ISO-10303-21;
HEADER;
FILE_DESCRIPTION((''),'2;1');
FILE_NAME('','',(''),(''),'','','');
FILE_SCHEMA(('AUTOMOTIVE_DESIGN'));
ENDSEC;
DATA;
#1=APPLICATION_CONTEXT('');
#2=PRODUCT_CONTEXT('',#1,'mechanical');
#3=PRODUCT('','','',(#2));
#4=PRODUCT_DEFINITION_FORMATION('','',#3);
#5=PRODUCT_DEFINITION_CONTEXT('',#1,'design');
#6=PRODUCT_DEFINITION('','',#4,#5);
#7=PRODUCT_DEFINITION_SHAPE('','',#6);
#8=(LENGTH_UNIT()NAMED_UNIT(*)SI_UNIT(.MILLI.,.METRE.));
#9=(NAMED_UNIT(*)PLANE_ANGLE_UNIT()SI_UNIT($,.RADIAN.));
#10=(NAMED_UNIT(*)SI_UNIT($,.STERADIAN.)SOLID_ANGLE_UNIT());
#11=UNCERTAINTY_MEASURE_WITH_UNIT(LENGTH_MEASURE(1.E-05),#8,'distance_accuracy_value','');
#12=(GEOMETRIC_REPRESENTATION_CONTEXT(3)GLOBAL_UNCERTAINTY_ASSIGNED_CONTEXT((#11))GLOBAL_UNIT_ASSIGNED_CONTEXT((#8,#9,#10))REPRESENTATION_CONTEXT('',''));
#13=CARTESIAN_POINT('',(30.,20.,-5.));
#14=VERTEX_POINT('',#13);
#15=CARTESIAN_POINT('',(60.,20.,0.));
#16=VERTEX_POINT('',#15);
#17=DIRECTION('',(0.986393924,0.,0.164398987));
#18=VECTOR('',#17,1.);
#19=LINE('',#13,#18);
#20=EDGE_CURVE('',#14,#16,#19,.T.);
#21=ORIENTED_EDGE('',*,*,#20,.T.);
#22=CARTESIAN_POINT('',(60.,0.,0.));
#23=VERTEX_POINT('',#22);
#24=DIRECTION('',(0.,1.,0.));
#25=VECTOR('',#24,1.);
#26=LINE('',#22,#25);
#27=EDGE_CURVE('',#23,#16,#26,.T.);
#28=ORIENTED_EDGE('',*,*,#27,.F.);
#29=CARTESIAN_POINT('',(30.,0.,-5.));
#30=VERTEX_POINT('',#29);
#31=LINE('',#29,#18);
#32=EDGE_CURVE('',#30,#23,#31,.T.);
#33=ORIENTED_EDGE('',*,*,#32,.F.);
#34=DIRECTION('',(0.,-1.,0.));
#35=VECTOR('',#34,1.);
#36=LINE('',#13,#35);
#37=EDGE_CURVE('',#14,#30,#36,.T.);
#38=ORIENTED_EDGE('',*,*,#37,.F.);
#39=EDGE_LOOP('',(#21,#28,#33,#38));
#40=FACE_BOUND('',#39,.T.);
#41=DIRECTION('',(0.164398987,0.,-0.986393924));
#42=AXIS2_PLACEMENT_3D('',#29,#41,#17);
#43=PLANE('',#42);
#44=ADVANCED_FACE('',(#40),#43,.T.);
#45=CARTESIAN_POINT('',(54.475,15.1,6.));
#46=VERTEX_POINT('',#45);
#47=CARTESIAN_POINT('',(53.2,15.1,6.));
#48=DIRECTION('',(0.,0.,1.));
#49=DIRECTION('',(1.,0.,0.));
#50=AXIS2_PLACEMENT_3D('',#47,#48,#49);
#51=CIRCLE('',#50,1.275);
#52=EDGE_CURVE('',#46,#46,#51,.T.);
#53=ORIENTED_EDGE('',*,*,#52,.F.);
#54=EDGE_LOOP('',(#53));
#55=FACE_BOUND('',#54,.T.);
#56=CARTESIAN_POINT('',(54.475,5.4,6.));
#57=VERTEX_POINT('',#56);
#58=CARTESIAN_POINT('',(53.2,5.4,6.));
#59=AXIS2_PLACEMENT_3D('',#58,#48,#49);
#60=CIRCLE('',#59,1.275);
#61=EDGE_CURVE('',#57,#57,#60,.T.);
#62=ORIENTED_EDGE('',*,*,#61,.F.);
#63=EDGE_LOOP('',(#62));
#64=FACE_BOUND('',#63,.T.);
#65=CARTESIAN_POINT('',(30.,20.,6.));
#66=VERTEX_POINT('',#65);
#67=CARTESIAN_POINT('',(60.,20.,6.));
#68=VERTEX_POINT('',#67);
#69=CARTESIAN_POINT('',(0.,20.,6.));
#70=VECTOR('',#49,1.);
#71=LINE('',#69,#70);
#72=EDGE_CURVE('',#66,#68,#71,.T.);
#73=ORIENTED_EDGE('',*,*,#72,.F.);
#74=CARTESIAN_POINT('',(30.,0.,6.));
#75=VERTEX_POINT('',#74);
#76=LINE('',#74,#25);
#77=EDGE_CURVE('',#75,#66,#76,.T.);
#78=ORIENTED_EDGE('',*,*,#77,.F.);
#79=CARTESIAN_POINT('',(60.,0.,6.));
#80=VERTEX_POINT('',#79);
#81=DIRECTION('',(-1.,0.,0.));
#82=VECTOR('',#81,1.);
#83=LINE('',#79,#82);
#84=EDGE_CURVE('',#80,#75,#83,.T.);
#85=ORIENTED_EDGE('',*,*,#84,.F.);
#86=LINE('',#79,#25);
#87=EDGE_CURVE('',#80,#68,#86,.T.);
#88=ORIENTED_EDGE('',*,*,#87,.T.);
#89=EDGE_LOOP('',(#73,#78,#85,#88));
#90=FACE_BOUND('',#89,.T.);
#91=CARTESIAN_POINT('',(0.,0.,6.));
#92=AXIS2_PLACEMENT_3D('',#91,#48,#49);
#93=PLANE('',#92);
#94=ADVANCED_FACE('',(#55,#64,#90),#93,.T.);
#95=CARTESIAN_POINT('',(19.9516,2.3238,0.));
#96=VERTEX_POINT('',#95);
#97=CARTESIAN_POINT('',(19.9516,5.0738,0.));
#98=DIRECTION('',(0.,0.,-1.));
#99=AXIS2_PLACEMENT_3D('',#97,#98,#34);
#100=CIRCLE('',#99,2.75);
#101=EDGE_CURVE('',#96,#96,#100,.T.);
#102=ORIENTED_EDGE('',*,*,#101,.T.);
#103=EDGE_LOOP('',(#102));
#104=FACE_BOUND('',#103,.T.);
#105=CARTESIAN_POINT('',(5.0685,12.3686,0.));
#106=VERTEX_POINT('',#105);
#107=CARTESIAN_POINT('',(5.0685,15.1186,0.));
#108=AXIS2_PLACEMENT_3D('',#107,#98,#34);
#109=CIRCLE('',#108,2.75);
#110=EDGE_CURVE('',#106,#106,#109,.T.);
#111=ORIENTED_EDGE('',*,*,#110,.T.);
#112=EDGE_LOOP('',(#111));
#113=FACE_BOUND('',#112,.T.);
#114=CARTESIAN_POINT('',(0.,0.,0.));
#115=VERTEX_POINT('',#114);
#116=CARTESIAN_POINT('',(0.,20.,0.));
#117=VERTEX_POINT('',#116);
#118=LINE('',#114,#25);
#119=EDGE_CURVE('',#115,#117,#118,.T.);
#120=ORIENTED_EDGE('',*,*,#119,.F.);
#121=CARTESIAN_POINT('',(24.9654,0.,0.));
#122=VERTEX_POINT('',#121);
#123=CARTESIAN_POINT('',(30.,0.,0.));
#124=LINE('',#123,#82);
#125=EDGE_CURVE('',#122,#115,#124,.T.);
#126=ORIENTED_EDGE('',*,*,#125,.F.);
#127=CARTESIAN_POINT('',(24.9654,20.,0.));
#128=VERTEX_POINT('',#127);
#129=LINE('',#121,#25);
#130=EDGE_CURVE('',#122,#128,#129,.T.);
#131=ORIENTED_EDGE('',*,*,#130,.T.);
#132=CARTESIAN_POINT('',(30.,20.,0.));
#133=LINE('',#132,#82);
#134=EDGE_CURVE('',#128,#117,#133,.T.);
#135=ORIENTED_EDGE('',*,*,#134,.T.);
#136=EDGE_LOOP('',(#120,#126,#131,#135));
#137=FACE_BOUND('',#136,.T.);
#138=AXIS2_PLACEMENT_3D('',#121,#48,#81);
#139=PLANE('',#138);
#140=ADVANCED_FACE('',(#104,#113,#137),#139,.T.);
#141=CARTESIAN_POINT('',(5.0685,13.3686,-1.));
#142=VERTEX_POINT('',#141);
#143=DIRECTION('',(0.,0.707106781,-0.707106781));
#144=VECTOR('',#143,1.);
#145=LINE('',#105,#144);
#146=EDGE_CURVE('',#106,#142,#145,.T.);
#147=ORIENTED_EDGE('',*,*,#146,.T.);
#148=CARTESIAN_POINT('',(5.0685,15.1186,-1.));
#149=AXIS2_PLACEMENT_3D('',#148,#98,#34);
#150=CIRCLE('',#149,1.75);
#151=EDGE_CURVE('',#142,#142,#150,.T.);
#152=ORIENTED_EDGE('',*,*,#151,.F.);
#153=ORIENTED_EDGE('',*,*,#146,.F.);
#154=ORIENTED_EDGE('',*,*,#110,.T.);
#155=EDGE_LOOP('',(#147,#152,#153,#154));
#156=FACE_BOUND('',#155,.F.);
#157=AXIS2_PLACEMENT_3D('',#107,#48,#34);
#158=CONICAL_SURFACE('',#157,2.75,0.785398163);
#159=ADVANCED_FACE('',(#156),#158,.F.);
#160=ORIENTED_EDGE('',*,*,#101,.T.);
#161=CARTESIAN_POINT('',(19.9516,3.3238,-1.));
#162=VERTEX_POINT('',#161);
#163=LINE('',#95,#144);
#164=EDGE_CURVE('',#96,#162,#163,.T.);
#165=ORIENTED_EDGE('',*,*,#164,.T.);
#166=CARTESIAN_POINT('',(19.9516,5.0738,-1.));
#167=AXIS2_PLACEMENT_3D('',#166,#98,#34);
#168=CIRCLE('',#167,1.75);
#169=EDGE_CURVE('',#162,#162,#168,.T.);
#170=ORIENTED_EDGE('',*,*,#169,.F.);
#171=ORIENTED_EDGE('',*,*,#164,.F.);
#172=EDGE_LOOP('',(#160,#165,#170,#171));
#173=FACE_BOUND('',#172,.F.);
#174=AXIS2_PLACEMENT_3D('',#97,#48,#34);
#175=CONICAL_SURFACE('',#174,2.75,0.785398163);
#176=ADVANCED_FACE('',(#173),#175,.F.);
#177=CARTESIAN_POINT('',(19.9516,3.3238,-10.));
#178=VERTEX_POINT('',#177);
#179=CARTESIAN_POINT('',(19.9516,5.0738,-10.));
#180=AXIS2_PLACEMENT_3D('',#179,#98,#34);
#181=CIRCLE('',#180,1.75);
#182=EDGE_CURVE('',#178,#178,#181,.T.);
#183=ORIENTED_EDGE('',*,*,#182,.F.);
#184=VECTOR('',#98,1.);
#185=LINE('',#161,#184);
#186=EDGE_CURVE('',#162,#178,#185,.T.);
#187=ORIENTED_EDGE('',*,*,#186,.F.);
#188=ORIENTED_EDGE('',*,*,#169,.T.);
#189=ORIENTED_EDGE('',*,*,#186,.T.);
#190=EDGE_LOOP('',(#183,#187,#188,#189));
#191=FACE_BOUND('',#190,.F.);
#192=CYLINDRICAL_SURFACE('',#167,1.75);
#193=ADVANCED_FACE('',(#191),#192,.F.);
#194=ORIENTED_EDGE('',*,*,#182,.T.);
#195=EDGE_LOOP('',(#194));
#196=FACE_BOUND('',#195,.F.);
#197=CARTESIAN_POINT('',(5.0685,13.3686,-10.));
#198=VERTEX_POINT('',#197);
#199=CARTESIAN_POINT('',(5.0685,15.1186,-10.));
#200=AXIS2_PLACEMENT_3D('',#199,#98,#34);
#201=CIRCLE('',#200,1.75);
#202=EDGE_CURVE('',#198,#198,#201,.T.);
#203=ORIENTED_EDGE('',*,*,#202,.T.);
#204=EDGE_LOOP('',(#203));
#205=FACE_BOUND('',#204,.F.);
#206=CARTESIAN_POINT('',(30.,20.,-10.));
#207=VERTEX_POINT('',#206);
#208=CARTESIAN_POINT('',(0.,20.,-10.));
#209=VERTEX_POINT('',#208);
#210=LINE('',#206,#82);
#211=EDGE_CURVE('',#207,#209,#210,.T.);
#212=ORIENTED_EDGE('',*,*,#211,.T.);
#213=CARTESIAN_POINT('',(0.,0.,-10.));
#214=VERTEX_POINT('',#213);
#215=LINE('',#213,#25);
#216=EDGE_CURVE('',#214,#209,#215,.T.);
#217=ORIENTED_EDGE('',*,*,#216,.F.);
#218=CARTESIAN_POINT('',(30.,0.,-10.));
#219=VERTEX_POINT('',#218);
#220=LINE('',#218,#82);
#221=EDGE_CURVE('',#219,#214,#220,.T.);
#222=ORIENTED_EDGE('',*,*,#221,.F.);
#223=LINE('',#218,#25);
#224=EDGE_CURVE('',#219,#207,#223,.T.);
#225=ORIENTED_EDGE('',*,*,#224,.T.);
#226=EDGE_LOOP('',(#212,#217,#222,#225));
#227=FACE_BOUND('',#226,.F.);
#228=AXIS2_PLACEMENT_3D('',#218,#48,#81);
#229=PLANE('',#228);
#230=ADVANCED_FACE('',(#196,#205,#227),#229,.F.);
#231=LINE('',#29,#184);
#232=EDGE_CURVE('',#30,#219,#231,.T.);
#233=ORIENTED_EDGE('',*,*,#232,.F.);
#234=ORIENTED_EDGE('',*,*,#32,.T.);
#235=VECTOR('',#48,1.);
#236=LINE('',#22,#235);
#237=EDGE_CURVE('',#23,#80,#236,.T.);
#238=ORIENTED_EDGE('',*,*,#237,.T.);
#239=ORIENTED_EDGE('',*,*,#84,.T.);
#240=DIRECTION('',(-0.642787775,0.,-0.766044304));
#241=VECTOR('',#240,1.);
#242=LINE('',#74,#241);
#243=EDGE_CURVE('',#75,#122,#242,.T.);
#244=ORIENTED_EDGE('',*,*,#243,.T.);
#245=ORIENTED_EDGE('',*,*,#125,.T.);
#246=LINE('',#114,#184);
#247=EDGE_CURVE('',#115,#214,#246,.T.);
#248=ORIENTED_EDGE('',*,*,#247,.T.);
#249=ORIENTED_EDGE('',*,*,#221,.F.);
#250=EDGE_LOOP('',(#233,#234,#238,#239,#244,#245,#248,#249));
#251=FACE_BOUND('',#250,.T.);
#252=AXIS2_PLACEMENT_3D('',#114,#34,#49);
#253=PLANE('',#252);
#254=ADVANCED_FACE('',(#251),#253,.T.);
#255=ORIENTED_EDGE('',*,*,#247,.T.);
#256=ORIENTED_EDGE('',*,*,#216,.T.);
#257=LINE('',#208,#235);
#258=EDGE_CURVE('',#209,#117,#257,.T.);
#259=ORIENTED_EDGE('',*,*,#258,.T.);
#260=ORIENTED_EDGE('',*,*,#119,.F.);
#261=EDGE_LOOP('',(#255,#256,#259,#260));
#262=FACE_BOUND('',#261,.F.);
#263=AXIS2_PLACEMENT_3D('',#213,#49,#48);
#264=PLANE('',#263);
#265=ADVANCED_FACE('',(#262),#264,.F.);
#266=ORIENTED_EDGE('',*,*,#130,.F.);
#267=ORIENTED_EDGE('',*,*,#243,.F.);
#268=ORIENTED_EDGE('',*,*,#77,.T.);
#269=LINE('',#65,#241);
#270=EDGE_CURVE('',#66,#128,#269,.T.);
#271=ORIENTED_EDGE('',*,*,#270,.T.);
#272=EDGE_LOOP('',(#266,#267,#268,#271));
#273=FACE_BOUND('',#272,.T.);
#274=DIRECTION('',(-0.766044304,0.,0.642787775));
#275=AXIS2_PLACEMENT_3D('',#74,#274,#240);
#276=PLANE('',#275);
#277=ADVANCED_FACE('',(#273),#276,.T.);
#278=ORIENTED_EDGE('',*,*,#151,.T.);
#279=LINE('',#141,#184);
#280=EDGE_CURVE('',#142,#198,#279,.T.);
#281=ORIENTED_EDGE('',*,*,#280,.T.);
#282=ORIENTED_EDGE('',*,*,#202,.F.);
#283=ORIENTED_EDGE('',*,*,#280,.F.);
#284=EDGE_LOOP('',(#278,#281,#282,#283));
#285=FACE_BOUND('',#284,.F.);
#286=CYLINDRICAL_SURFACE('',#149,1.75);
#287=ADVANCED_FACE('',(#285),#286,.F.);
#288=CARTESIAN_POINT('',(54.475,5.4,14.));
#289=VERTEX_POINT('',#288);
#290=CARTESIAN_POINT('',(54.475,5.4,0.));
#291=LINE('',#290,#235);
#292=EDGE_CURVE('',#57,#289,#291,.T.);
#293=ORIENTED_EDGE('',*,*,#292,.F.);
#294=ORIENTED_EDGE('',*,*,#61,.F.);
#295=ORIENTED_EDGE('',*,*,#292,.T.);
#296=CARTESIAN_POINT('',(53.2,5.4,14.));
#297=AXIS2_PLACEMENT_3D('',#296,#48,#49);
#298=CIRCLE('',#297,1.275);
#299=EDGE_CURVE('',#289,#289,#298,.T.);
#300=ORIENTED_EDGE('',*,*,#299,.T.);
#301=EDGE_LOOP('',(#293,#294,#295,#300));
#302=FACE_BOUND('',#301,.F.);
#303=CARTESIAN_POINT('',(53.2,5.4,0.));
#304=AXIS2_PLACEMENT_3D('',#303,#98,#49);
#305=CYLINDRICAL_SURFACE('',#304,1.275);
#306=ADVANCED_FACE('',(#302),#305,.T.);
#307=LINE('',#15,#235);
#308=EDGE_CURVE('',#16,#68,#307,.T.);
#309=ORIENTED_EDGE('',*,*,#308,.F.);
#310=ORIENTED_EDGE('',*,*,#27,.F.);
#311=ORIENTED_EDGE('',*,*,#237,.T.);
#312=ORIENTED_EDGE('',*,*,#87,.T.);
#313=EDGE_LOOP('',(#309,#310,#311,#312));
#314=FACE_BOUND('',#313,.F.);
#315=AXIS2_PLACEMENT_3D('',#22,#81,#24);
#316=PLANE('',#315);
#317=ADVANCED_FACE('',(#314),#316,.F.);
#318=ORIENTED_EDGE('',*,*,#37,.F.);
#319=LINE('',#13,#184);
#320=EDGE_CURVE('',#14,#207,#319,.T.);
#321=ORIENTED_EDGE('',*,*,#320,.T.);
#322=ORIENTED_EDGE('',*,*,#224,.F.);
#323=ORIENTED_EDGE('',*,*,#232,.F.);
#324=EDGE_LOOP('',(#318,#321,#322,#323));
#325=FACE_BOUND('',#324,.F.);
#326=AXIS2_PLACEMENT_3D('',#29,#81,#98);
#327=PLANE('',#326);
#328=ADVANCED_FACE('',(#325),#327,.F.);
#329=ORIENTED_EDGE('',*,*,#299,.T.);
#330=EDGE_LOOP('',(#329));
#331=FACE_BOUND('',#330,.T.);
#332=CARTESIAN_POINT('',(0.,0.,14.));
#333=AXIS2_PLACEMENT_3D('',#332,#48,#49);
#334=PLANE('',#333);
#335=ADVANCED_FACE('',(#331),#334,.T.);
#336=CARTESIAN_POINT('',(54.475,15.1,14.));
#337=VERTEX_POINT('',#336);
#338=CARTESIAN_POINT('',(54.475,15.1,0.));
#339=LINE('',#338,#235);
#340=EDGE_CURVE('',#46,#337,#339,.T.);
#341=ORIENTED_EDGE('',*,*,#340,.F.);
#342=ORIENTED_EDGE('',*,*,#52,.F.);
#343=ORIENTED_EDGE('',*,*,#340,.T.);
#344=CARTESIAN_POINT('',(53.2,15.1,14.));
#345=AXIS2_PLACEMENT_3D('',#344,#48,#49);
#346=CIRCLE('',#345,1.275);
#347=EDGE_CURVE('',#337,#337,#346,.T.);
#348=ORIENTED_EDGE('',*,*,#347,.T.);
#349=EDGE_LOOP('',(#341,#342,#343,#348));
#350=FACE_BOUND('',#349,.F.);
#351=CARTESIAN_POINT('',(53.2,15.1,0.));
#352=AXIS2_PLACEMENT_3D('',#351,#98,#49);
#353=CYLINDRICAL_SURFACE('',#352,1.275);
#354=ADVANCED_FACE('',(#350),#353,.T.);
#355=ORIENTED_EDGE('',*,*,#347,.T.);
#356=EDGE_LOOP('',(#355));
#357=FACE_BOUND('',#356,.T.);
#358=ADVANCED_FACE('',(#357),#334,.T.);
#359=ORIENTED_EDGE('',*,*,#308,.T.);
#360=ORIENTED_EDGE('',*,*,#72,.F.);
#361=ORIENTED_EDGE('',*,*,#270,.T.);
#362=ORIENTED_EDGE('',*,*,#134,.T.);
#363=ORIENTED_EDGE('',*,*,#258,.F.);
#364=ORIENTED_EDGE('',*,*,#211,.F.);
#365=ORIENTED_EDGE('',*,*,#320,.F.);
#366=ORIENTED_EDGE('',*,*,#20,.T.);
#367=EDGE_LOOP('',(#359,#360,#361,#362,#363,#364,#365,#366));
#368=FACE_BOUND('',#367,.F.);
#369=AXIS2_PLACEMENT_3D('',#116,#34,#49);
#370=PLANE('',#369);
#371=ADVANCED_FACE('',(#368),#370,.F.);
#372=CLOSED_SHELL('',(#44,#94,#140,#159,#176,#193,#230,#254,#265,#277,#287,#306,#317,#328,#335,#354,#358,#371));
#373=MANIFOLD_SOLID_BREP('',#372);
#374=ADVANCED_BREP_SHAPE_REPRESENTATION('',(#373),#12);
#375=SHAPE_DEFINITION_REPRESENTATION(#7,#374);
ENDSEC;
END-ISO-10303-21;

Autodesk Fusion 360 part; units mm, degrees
sketch "Skizze1" plane through (0, 0, 0) normal (0, 0, 1) x (1, 0, 0)
  line L0 (0, 0) -> (60, 0)
  line L1 (60, 0) -> (60, 20)
  line L2 (60, 20) -> (0, 20)
  line L3 (0, 20) -> (0, 0)
  circle A0 centre (53.2, 5.4) radius 1.275
  circle A1 centre (53.2, 15.1) radius 1.275
  line L4 (0, 20) -> (30, 20)
  line L5 (30, 20) -> (30, 0)
  line L6 (30, 0) -> (0, 0)
  line L7 (0, 0) -> (0, 20)
  dimension "d1" = 60
  dimension "d2" = 20
  dimension "d3" = 2.55
  dimension "d4" = 2.55
  dimension "d5" = 5.4
  dimension "d6" = 6.8
  dimension "d7" = 4.9
  dimension "d8" = 6.8
extrude "Extrusion1" add sketch "Skizze1" along normal blind 6
extrude "Extrusion2" add sketch "Skizze1" along normal blind 14 contours A0 | A1
extrude "Extrusion3" add sketch "Skizze1" against normal blind 5 contours L0 L2 L3 L4 L5 L6 L7
sketch "Skizze2" plane through (0, 0, 0) normal (0, -1, 0) x (1, 0, 0)
  line L0 (30, 0) -> (60, 0)
  line L1 (60, 0) -> (60, 6)
  line L2 (60, 6) -> (0, 6)
  line L3 (0, 6) -> (0, -5)
  line L4 (0, -5) -> (30, -5)
  line L5 (30, -5) -> (30, 0)
  line L6 (30, -5) -> (60, 0)
  line L7 (0, 6) -> (30, 6)
  line L8 (30, 6) -> (30, 0)
  line L9 (30, 0) -> (0, 0)
  line L10 (0, 0) -> (0, 6)
  line L11 (30, 6) -> (24.9654, 0)
  line L12 (30, 6) -> (37.8324, 6) construction
  line L13 (0, -5) -> (30, -5)
  line L14 (30, -5) -> (30, -10)
  line L15 (30, -10) -> (0, -10)
  line L16 (0, -10) -> (0, -5)
  dimension "d41" = 130
  dimension "d44" = 5
extrude "Extrusion6" add sketch "Skizze2" against normal blind 20 contours L0 L5 L6
extrude "Extrusion7" cut sketch "Skizze2" against normal blind 20 contours L2 L3 L7 L9 L10 L11
extrude "Extrusion8" add sketch "Skizze2" against normal blind 20 contours L4 L13 L14 L15 L16
hole "Bohrung5" at (5.0685, 15.1186, 0) direction (0, 0, -1) diameter 3.5 depth 10 tip angle 180 countersink diameter 5.5 countersink angle 90
hole "Bohrung6" at (19.9516, 5.0738, 0) direction (0, 0, -1) diameter 3.5 depth 10 tip angle 180 countersink diameter 5.5 countersink angle 90
equation "d6 = 5.7 mm + 1.1 mm"
equation "d8 = 5.7 mm + 1.1 mm"
